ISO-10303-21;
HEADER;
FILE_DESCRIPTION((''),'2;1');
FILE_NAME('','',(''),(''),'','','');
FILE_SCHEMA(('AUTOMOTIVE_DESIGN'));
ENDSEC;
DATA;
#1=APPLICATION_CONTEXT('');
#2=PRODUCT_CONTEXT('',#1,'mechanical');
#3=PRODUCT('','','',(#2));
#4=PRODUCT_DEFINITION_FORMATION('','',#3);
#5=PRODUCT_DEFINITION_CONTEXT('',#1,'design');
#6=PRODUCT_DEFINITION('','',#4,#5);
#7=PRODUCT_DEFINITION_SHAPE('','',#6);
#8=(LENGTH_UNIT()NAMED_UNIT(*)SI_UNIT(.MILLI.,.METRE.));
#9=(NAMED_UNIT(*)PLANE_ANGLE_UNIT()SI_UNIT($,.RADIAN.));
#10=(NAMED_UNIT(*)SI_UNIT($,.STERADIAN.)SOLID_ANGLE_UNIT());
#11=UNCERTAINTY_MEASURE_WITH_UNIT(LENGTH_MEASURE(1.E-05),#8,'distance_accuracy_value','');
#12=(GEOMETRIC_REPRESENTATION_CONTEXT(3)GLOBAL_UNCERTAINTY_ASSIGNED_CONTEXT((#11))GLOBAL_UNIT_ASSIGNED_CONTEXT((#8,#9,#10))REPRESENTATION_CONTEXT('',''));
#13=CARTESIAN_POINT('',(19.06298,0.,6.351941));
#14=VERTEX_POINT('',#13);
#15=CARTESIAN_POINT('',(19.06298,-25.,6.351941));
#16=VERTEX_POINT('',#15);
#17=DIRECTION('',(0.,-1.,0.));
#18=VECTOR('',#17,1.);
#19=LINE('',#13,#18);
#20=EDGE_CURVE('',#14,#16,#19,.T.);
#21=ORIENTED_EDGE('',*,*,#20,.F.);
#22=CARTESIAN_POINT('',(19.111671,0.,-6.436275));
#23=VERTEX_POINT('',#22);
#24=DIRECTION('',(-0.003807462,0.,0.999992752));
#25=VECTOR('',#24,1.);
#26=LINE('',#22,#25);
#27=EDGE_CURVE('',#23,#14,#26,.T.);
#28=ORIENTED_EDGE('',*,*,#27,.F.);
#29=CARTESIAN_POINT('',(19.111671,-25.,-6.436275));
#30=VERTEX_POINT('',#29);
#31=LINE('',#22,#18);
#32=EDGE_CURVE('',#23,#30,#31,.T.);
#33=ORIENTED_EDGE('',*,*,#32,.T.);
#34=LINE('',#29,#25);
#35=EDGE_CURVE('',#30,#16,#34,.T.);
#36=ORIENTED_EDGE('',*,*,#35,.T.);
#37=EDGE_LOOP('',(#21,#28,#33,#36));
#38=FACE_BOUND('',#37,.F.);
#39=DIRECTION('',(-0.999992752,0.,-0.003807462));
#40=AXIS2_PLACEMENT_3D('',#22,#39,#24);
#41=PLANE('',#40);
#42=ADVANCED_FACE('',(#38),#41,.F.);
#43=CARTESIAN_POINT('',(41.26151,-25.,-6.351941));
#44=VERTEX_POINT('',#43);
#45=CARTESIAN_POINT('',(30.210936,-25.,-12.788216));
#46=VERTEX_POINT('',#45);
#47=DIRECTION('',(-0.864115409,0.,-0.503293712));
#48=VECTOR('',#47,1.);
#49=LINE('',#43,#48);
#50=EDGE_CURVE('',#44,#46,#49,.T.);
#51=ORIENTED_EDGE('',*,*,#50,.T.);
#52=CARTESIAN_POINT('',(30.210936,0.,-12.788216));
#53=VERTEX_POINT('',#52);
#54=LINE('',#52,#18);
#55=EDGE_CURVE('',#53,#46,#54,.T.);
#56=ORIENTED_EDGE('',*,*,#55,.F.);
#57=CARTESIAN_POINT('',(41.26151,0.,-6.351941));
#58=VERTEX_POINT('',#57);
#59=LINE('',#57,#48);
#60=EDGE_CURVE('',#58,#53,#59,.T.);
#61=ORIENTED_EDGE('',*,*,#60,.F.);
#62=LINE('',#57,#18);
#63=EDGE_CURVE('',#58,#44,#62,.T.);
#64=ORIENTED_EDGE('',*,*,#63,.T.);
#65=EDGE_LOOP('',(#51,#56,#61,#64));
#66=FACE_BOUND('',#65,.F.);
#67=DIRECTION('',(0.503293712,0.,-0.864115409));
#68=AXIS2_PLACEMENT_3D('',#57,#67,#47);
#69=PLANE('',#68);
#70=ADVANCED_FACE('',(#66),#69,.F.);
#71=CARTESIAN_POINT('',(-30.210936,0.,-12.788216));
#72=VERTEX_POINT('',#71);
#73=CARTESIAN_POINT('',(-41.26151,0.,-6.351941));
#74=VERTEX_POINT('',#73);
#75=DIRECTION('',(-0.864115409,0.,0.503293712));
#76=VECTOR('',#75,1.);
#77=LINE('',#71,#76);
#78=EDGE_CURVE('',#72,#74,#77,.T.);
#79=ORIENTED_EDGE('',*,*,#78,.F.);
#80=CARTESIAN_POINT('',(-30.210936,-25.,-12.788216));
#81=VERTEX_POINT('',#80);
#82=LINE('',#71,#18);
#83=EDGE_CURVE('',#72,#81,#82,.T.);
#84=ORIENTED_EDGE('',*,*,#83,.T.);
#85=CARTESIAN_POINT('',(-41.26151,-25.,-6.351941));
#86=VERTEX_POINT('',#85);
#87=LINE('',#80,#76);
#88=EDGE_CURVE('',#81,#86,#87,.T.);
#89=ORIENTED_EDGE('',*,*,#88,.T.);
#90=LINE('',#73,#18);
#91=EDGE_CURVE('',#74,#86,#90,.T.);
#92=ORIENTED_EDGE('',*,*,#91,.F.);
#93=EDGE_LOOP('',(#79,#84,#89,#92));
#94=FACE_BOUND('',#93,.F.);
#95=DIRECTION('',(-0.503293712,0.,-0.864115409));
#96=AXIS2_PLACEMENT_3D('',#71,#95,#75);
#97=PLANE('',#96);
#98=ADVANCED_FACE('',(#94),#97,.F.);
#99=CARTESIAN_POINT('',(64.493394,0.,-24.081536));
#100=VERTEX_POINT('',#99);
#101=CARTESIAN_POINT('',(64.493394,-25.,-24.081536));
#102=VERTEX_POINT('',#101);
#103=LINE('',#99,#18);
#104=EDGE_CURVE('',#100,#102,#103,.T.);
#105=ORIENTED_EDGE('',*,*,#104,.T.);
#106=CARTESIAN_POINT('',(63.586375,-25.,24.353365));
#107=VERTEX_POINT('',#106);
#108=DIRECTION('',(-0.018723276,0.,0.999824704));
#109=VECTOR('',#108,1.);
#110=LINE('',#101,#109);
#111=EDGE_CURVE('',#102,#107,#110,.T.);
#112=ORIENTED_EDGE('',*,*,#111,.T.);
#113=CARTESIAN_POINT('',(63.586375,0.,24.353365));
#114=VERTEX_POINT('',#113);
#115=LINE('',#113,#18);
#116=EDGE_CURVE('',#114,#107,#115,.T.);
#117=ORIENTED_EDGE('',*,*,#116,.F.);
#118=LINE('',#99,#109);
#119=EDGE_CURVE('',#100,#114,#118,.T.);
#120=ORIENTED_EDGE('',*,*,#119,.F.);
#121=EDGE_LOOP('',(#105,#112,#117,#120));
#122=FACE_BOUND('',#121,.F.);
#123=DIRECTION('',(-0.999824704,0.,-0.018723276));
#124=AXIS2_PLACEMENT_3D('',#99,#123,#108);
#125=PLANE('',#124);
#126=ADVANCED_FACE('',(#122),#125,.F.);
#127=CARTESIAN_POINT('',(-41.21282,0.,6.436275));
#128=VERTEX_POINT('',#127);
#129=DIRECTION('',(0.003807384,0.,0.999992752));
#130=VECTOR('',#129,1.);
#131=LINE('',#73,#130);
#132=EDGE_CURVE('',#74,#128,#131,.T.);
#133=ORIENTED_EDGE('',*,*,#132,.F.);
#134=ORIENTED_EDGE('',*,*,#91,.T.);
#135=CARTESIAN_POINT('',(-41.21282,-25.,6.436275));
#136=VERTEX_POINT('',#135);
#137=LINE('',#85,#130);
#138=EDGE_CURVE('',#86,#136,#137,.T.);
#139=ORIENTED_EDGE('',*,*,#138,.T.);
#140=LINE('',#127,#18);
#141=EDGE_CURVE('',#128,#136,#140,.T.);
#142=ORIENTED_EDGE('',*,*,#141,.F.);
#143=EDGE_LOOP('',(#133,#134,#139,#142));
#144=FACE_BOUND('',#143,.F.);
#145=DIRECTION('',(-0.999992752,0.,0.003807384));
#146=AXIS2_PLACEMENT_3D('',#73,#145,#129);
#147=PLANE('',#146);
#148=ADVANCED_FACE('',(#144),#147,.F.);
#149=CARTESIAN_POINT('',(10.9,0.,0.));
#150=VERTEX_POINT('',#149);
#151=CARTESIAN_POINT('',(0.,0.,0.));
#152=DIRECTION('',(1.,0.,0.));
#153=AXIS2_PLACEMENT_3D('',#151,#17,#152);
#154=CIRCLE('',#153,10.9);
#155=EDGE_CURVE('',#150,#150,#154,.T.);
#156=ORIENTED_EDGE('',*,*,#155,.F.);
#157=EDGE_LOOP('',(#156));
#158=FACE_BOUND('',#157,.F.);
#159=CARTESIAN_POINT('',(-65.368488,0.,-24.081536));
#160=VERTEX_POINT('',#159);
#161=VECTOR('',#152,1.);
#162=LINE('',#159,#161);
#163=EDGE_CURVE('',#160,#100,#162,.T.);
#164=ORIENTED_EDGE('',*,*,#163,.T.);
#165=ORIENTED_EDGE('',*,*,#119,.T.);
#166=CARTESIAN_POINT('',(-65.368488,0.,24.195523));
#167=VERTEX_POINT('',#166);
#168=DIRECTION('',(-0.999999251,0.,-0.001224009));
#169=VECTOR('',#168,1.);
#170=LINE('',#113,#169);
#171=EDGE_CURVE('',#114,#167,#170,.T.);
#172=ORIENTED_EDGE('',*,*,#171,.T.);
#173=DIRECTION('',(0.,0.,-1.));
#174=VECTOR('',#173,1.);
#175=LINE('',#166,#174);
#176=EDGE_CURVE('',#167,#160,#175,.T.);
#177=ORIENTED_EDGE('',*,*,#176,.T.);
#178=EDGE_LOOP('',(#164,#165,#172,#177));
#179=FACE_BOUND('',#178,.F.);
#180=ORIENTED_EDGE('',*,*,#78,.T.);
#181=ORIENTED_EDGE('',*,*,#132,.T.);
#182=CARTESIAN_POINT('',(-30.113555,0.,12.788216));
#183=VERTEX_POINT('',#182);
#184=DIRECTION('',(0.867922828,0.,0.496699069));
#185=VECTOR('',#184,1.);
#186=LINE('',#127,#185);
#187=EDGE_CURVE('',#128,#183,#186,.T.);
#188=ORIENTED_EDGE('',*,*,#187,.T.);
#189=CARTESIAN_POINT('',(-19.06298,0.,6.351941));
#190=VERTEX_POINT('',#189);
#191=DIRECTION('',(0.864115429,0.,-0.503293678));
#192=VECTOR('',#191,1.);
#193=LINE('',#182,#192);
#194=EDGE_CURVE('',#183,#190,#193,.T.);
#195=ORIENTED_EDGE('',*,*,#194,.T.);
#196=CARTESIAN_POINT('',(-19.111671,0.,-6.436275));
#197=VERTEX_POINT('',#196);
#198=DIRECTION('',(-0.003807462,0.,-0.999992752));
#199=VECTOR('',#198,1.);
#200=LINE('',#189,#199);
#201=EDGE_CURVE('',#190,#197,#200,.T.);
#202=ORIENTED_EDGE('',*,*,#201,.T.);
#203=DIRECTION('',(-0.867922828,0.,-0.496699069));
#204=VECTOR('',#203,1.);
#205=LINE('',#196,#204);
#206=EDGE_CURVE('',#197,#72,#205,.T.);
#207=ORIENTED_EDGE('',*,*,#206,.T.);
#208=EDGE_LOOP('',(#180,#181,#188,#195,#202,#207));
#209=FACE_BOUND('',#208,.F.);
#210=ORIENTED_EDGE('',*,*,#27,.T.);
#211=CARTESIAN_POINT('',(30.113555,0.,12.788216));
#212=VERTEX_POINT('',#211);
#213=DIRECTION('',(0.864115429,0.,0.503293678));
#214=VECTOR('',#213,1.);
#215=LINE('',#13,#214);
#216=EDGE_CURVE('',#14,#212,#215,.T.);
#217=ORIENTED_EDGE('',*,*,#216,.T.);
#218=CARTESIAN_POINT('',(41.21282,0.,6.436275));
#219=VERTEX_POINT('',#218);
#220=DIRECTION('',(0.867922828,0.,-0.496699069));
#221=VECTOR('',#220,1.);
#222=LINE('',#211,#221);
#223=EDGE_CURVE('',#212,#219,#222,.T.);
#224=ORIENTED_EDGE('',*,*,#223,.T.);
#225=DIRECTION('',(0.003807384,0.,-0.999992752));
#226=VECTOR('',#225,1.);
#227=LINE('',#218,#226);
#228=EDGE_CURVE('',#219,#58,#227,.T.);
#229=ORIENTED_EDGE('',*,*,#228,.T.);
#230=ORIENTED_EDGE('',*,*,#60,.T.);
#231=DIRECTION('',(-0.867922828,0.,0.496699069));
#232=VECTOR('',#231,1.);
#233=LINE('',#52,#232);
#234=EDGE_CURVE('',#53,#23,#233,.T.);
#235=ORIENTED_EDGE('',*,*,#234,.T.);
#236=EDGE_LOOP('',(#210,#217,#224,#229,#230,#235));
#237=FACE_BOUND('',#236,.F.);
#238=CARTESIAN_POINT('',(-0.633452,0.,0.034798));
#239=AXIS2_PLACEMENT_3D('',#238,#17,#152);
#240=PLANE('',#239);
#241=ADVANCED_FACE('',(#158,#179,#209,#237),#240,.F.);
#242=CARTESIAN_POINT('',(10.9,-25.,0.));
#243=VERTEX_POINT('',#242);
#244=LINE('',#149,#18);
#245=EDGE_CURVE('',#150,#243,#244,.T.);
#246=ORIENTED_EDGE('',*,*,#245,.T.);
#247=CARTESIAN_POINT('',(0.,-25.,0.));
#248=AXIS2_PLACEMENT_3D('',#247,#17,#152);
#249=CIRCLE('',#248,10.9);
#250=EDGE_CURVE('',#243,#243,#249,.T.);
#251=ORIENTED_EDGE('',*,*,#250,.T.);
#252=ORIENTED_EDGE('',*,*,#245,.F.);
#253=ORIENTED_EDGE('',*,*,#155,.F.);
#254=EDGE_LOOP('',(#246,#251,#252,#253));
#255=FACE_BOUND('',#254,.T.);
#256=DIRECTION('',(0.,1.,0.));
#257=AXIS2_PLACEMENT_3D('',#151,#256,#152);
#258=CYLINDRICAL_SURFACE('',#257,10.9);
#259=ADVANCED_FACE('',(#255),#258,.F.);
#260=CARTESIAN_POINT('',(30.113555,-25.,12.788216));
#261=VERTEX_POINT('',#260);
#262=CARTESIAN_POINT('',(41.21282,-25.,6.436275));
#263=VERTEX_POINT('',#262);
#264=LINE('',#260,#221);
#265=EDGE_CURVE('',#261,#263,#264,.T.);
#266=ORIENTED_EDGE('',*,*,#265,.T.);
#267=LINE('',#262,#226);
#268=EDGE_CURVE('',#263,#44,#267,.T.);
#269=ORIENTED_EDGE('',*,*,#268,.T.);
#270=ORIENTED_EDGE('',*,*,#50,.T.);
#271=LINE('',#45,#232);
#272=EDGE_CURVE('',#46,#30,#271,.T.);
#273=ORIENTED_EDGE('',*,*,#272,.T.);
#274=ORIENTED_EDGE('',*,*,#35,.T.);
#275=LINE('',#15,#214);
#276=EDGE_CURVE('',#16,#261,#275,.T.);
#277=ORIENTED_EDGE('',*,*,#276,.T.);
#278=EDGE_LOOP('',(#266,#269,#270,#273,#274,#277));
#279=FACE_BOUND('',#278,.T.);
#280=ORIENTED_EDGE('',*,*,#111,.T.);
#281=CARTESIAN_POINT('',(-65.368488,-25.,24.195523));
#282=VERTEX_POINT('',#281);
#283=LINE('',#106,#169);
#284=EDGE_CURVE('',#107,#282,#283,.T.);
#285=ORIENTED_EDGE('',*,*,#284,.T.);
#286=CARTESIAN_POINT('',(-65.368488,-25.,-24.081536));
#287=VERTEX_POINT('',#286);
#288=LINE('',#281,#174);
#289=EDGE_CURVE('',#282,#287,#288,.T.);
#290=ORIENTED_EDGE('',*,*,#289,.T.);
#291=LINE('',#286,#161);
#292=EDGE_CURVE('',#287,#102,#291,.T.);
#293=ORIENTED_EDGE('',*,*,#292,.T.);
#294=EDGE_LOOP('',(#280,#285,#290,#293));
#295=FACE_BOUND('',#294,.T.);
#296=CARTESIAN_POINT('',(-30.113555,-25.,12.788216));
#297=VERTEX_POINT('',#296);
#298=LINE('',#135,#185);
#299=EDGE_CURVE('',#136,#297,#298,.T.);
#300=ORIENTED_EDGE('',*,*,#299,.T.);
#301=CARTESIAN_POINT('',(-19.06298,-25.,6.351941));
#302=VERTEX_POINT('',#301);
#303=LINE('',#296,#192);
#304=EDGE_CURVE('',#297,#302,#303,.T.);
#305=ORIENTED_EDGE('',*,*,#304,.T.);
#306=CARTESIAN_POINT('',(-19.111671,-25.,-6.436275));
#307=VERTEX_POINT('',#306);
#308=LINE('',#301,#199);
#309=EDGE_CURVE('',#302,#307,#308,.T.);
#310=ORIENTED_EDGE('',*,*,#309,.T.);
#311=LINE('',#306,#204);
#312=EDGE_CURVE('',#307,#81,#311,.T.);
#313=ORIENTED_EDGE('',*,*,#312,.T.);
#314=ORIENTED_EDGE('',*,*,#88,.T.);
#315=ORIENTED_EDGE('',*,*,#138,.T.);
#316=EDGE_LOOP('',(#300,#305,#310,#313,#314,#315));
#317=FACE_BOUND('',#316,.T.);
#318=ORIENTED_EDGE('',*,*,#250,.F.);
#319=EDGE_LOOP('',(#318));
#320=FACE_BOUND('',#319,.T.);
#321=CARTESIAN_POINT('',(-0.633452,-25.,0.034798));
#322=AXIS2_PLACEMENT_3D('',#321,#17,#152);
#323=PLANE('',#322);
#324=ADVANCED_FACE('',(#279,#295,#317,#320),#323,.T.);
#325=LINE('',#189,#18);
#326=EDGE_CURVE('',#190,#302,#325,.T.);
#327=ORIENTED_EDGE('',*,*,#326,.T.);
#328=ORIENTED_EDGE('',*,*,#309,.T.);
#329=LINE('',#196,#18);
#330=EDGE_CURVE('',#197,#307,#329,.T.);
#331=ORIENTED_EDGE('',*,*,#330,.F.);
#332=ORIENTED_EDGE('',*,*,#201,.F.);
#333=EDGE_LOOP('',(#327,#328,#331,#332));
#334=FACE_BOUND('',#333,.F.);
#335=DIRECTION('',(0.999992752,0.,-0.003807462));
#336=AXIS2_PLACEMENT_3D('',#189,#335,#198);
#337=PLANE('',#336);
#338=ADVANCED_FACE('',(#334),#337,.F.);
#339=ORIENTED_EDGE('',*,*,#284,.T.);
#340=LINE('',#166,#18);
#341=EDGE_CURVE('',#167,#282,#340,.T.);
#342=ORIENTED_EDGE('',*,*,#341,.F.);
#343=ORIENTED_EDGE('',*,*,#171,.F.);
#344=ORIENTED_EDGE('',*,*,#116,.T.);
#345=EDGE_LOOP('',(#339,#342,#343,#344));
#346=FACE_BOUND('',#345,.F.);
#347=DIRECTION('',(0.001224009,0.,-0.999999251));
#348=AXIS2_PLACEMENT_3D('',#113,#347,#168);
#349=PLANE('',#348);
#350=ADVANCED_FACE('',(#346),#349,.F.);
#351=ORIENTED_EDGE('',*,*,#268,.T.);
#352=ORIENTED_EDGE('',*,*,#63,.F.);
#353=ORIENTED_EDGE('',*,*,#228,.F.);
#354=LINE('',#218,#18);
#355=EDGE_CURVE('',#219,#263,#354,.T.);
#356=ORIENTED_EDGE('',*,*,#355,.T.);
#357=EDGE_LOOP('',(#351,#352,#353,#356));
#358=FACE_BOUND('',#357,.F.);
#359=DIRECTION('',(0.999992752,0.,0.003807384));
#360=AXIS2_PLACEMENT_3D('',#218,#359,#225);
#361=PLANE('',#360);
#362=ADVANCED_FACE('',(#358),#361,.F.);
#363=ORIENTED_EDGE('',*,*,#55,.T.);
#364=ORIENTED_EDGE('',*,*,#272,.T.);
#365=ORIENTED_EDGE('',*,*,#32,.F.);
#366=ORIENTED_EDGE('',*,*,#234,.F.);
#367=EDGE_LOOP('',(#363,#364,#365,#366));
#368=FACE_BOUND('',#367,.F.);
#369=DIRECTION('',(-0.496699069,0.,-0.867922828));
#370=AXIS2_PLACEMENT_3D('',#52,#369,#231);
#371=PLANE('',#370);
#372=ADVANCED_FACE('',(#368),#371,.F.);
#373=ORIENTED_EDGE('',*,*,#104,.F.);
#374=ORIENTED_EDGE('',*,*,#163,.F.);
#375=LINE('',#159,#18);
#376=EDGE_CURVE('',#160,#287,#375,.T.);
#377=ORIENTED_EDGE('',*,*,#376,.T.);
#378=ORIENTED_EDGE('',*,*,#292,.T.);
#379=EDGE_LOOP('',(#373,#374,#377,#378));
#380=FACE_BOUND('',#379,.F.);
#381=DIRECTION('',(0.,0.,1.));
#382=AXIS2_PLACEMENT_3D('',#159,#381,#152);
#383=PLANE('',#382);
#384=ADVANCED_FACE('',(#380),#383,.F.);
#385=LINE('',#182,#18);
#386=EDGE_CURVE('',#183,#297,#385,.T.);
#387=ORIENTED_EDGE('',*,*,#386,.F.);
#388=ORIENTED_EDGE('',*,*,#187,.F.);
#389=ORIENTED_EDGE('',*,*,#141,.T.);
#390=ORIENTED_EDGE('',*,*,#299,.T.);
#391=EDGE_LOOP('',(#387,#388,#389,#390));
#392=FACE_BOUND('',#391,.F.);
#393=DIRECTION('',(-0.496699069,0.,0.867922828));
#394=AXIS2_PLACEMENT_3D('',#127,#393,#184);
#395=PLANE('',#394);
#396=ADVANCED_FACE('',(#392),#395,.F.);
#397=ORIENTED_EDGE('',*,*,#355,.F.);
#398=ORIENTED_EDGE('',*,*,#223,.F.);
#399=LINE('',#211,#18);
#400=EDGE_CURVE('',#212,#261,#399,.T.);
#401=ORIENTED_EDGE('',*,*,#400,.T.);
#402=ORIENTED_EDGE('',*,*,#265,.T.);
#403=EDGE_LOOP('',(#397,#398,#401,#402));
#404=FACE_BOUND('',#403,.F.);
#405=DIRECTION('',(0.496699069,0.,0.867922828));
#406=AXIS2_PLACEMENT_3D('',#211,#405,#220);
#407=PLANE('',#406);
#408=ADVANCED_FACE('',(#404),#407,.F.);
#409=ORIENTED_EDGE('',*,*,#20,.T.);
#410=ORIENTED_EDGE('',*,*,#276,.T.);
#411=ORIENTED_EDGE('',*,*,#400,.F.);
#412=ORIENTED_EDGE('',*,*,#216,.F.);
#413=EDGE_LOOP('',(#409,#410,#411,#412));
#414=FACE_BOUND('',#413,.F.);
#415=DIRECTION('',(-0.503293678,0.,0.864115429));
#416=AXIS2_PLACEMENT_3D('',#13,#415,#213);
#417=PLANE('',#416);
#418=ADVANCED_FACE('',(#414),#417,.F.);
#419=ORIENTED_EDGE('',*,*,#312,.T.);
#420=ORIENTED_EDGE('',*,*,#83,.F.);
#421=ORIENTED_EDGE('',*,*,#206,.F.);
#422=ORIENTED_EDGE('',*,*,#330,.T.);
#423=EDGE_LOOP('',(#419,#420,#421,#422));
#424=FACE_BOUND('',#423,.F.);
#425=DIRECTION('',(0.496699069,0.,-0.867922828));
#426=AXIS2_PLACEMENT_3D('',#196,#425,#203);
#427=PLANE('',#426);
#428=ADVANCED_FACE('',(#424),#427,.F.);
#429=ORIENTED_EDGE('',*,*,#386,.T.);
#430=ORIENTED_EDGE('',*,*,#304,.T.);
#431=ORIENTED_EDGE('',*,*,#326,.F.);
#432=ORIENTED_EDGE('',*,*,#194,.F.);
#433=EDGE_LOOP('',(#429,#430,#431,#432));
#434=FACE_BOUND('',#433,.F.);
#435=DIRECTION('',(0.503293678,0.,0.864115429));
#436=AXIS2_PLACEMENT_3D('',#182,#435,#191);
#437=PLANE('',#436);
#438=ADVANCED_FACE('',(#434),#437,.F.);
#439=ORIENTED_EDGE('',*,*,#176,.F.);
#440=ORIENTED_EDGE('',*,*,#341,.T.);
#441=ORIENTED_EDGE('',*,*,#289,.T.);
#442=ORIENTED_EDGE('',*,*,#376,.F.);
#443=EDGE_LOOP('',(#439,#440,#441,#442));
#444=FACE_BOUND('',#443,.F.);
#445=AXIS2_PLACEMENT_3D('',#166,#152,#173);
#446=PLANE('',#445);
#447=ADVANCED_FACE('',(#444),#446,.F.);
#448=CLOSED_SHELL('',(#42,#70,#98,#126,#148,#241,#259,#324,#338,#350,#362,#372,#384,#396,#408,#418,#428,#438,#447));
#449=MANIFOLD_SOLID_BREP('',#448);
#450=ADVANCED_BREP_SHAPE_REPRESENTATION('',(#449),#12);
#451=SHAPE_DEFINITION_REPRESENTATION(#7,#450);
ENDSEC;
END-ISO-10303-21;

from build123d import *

# Parameters (mm, degrees)
F0_R     = 10.9
F1_DEPTH = 25


with BuildPart() as f1:
    # F0 (on Front) → F1 (new body)
    with BuildSketch(Plane.XZ):
        Polygon((0, -24.081536), (64.493394, -24.081536), (63.586375, 24.353365), (-65.368488, 24.195523), (-65.368488, -24.081536), align=None)
        Polygon((-19.111671, -6.436275), (-30.210936, -12.788216), (-41.26151, -6.351941), (-41.21282, 6.436275), (-30.113555, 12.788216), (-19.06298, 6.351941), align=None, mode=Mode.SUBTRACT)
        Circle(F0_R, mode=Mode.SUBTRACT)
        Polygon((41.21282, 6.436275), (41.26151, -6.351941), (30.210936, -12.788216), (19.111671, -6.436275), (19.06298, 6.351941), (30.113555, 12.788216), align=None, mode=Mode.SUBTRACT)
    extrude(amount=F1_DEPTH)


solid = f1.part
